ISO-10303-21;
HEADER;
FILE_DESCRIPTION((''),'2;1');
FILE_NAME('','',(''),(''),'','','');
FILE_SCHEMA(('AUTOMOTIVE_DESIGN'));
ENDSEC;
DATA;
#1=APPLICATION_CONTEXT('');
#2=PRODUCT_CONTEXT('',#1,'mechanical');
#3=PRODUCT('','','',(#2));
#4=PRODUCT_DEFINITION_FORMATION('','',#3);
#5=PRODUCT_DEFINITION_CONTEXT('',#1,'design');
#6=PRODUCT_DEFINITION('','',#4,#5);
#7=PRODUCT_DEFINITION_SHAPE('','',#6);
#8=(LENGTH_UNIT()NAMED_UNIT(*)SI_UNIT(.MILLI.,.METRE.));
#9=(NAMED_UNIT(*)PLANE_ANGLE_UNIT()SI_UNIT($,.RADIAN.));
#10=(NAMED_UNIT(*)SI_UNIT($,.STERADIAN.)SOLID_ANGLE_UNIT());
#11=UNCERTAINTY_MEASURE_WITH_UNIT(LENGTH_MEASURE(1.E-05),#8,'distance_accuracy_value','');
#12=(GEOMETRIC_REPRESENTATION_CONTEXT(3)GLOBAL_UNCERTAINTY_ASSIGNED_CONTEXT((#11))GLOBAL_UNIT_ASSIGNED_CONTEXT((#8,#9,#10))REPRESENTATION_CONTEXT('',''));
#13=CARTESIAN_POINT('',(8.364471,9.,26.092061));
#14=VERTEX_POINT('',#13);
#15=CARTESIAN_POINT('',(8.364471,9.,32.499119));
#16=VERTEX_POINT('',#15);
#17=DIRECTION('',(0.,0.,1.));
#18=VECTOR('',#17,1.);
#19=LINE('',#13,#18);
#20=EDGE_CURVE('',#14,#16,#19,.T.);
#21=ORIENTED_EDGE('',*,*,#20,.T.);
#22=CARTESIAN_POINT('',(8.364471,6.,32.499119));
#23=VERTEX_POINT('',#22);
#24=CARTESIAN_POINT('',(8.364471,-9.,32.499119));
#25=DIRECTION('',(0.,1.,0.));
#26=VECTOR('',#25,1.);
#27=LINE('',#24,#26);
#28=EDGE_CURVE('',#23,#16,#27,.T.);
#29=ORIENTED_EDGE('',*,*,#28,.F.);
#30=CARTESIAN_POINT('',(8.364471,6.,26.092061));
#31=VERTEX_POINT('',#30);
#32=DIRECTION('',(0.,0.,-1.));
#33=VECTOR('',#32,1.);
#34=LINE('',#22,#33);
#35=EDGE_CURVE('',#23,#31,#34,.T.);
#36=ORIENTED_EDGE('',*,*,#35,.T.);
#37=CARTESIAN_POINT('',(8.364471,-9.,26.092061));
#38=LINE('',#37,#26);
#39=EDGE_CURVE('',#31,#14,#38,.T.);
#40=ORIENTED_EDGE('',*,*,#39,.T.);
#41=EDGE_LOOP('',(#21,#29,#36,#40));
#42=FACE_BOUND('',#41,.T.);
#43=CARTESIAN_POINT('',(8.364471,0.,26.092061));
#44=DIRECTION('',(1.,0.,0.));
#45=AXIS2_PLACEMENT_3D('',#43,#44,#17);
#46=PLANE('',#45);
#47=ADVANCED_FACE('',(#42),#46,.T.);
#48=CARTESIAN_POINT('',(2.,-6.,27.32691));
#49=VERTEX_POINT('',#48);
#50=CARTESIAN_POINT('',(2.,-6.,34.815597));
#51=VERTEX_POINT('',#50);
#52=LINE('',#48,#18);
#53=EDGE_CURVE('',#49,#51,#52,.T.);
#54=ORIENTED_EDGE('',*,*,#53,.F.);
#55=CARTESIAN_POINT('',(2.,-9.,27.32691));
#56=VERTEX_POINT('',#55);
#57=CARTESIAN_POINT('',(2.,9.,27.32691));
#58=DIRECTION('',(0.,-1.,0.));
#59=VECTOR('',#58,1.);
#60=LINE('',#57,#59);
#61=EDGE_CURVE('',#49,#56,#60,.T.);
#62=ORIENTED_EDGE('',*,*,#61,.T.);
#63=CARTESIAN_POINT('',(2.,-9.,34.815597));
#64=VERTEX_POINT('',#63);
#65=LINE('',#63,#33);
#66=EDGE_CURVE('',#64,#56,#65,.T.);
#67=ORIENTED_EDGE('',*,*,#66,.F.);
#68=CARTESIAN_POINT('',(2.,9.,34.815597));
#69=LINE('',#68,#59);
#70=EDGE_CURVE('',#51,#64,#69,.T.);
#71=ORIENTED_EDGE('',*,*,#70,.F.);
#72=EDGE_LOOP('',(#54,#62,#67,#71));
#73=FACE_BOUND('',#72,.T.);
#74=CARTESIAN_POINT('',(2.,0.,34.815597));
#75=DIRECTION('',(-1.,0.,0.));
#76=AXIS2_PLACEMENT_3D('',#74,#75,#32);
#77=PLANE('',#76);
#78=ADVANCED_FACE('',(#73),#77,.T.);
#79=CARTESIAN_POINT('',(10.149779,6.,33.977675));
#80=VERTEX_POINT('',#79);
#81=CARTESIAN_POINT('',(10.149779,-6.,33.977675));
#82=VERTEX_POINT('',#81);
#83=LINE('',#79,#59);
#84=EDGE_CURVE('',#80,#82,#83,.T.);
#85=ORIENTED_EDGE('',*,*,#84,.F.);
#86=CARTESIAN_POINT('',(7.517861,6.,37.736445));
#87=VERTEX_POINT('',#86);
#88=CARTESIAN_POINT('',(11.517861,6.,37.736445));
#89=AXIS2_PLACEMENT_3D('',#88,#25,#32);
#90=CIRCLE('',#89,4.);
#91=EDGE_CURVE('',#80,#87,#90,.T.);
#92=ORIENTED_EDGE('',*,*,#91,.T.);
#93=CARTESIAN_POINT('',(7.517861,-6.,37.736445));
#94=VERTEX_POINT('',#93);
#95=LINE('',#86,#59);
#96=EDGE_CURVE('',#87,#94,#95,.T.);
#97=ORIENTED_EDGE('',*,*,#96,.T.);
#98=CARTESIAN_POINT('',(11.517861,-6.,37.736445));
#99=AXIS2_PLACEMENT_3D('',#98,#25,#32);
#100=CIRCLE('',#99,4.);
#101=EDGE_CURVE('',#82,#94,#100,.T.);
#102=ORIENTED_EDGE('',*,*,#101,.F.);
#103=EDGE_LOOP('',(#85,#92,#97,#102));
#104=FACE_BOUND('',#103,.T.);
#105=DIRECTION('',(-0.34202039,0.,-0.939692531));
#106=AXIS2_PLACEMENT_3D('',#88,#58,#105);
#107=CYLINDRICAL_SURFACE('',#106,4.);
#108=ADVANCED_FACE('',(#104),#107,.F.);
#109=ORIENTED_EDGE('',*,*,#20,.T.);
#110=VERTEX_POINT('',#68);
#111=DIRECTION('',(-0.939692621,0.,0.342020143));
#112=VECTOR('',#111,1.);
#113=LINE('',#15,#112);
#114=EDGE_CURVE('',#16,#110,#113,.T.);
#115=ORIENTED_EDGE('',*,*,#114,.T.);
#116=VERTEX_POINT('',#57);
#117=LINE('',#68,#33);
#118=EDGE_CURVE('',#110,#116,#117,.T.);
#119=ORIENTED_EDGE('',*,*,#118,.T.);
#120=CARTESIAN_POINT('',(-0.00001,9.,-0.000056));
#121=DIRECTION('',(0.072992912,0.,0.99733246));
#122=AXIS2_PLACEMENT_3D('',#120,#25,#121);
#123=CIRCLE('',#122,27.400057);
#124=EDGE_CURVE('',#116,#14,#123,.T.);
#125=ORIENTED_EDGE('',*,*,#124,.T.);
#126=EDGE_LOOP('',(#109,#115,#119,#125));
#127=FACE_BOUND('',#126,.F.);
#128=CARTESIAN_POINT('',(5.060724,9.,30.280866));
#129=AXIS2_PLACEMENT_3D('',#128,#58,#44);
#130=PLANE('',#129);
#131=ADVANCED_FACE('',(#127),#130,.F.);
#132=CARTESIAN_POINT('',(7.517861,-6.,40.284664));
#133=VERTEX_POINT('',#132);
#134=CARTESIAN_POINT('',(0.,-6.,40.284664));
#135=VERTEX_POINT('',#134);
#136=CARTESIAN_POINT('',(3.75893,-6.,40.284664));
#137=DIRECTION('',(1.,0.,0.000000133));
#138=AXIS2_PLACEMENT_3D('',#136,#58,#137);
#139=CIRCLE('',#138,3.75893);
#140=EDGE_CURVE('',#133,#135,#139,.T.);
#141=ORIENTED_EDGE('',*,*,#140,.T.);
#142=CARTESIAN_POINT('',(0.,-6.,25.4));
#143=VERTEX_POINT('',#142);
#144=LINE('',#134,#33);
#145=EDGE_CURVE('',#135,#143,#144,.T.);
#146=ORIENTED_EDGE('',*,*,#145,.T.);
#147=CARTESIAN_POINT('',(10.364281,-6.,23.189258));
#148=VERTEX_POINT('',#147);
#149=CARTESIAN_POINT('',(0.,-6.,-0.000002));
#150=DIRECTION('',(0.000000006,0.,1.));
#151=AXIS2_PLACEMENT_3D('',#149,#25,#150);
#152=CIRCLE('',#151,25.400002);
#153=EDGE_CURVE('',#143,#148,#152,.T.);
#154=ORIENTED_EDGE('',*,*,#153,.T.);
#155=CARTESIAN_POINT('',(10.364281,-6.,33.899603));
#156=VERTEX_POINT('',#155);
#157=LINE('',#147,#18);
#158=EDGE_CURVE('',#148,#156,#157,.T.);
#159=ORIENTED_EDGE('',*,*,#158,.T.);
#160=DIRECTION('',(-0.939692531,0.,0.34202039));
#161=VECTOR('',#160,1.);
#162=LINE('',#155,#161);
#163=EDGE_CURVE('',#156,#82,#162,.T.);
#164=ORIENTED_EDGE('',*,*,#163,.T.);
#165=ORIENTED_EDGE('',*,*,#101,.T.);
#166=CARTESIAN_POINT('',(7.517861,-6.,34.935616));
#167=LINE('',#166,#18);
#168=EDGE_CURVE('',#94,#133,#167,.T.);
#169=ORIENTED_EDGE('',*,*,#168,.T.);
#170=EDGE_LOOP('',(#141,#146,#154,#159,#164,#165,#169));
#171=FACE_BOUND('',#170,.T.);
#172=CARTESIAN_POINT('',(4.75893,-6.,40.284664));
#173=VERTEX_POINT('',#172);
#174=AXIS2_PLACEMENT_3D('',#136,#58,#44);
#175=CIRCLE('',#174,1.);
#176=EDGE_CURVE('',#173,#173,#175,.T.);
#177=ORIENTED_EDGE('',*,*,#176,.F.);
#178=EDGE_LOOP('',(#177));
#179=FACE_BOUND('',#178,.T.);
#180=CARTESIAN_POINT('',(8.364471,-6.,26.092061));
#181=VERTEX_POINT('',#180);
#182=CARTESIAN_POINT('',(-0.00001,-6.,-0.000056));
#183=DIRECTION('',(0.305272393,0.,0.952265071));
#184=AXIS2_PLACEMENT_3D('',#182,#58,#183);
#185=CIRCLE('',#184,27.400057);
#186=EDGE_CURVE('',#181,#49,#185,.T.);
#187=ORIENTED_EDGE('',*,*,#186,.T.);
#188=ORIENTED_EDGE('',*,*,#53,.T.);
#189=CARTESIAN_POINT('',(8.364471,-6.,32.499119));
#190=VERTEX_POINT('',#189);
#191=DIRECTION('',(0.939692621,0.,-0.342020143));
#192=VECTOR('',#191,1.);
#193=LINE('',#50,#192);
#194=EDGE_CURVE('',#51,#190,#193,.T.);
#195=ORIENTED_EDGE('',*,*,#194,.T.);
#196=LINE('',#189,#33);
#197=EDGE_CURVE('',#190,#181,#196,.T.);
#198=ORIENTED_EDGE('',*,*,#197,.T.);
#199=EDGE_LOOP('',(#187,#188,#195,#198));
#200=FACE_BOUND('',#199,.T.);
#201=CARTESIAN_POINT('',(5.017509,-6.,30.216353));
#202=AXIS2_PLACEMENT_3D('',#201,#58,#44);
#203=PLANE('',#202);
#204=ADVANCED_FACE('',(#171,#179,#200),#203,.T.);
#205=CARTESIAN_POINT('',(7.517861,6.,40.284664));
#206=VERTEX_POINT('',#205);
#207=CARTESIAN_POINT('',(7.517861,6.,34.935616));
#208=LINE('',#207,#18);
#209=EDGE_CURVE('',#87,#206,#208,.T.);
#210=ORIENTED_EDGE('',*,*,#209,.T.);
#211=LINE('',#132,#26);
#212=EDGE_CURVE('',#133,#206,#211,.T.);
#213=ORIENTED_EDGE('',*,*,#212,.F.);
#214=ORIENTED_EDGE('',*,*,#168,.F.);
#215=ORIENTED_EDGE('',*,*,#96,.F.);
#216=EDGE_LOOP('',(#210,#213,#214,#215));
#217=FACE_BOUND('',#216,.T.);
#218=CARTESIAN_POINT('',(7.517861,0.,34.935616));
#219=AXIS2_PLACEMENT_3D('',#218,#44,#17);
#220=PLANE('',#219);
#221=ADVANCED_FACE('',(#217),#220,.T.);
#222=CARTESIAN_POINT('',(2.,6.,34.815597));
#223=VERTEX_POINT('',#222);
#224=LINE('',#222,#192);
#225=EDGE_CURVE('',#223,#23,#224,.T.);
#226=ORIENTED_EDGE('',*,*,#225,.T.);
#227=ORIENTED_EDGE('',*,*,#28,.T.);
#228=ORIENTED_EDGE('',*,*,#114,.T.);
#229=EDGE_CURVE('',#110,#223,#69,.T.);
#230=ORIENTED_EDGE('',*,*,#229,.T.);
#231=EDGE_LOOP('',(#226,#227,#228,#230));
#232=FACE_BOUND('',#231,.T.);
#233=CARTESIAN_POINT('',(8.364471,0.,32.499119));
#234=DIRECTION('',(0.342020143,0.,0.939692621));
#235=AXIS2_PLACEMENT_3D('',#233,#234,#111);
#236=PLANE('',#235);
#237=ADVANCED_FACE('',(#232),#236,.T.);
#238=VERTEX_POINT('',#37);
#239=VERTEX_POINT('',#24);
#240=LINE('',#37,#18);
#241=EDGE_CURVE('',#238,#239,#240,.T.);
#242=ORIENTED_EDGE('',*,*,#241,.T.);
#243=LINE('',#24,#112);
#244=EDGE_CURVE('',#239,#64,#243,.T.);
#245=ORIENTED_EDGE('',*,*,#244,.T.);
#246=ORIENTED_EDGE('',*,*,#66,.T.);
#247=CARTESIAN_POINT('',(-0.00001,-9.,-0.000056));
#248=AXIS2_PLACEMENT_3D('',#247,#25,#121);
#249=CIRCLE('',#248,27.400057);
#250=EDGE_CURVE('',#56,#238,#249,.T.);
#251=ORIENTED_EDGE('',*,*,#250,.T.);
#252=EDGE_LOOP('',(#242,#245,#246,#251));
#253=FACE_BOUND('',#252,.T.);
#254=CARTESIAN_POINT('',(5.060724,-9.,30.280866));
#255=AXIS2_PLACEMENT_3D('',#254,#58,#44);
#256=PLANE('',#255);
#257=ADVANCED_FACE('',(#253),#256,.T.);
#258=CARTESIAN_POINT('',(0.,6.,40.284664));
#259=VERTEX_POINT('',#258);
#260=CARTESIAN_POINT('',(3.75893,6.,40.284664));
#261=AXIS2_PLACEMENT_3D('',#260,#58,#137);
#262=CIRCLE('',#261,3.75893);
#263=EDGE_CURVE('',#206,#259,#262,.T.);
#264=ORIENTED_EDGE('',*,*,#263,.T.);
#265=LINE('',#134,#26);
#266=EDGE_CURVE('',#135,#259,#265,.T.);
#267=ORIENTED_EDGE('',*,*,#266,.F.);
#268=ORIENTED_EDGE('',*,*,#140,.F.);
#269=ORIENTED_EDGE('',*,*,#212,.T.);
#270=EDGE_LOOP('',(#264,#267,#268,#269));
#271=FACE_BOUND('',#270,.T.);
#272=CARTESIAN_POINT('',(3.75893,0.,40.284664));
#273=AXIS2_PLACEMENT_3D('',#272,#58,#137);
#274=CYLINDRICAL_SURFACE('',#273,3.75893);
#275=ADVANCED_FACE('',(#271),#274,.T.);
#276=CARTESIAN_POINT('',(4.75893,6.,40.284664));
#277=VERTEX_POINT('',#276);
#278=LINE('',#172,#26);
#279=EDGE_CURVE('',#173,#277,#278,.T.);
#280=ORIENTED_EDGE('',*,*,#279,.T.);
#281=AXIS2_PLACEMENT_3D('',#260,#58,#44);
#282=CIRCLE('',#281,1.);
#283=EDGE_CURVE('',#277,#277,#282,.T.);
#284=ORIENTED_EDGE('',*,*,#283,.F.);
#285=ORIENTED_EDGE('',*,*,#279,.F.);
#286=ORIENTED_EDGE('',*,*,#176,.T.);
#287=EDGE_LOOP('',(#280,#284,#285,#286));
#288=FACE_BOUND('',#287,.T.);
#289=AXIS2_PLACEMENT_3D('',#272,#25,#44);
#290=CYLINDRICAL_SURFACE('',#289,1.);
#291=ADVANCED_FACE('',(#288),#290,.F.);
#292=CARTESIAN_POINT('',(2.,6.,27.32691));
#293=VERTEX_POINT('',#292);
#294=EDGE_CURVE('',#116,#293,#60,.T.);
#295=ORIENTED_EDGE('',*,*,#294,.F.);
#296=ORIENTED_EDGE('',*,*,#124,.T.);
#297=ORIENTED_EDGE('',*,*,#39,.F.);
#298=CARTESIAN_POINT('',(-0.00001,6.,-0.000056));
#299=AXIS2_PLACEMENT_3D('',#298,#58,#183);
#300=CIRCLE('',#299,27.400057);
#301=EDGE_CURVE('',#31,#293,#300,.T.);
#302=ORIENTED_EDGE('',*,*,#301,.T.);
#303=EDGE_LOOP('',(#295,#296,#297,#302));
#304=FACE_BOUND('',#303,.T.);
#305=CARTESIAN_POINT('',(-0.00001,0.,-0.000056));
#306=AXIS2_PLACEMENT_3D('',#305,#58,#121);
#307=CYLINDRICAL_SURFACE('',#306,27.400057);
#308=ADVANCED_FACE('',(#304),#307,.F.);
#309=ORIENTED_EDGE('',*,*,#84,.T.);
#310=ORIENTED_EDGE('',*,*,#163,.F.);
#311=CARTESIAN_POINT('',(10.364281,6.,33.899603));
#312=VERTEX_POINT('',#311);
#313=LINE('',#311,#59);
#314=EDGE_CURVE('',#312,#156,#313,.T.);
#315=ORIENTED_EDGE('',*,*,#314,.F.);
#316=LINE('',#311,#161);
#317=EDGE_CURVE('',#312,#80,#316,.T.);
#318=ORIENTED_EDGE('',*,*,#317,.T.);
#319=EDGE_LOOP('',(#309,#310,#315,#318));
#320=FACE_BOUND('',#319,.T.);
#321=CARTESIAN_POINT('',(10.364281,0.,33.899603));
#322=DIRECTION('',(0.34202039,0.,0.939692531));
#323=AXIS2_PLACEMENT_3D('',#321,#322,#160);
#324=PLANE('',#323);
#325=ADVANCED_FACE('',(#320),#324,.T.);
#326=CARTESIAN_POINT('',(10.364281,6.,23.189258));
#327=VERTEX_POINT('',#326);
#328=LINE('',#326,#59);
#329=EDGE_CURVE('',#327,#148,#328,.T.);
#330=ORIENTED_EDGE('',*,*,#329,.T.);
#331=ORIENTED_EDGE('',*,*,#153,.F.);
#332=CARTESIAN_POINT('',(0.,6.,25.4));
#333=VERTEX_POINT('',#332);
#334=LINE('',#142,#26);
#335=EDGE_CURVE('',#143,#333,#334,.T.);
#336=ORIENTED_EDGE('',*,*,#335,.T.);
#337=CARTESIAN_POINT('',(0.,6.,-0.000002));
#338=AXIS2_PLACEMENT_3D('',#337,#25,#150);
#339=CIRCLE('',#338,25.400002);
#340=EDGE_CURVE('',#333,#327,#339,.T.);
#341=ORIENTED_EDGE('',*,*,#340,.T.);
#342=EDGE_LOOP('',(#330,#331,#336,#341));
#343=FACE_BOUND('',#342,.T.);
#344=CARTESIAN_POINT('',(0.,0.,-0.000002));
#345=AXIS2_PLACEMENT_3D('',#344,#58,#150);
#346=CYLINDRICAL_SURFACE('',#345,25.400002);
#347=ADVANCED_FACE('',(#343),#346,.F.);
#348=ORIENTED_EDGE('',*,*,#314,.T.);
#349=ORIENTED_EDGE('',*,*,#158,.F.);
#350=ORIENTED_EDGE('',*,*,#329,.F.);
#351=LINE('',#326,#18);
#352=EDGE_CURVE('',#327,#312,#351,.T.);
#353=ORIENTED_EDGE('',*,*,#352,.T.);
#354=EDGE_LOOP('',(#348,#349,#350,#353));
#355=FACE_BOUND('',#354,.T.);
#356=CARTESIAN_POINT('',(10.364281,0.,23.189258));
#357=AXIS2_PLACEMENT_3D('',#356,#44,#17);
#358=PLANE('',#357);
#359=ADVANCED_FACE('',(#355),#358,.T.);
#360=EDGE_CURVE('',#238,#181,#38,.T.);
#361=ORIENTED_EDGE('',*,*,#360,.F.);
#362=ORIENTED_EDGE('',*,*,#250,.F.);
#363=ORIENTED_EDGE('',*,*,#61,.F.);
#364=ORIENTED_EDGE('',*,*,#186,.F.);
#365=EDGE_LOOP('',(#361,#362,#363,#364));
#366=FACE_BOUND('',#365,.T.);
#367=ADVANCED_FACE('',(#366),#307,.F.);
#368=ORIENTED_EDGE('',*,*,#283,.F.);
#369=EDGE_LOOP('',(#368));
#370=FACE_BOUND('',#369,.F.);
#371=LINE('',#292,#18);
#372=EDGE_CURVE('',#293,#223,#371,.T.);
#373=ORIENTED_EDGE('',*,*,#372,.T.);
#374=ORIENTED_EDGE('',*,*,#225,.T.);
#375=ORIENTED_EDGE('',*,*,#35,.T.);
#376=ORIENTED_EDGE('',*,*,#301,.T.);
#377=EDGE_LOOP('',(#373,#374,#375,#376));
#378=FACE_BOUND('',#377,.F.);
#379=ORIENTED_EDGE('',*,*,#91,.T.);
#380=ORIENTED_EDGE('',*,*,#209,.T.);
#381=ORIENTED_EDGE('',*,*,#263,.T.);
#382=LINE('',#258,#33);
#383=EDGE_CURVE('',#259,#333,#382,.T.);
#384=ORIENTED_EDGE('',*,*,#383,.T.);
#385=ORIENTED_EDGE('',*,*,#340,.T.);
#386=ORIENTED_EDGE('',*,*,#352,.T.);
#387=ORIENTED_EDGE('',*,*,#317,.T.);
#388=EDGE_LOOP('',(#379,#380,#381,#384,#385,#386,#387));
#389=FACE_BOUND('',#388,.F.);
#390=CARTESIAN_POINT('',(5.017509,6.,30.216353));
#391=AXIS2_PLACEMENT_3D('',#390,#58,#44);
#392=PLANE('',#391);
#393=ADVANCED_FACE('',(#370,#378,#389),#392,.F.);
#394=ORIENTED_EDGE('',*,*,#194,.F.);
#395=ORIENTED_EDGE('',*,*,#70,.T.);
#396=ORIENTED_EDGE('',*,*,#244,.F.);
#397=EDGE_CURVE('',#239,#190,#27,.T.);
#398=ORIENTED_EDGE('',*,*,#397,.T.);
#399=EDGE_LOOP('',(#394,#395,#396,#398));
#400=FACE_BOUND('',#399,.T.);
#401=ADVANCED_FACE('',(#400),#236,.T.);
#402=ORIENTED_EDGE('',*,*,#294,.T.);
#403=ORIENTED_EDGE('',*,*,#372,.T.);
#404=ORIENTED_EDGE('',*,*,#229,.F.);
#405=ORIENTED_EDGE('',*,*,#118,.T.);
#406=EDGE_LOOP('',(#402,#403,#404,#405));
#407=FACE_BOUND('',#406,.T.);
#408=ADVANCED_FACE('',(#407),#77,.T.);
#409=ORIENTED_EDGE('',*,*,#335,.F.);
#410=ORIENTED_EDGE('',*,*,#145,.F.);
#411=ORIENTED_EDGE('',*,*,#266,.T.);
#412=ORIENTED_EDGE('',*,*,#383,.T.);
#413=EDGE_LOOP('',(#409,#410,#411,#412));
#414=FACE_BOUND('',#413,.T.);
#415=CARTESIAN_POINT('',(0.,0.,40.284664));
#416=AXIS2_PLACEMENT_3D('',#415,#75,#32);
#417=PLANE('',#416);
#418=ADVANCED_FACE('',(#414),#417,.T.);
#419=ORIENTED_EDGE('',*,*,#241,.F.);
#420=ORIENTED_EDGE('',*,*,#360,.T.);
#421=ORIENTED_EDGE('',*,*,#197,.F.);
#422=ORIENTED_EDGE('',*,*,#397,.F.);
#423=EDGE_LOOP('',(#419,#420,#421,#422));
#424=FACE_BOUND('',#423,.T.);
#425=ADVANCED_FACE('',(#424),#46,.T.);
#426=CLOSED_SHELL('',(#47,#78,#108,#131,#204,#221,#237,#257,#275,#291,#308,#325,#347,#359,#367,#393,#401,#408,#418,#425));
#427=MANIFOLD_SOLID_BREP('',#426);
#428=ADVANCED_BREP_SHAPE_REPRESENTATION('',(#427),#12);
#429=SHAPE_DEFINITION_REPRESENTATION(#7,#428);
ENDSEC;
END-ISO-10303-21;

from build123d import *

# Parameters (mm, degrees)
F0_R     = 1
F1_DEPTH = 6
F2_DEPTH = 9
F3_R     = 4


with BuildPart() as f1:
    # F0 (on Front) → F1 (new body, symmetric)
    with BuildSketch(Plane.XZ):
        with BuildLine():
            Line((0, 37.671893), (0, 25.4))
            ThreePointArc((0, 25.4), (5.298719, 24.841167), (10.364281, 23.189258))
            Line((10.364281, 23.189258), (10.364281, 25.364181))
            Line((10.364281, 25.364181), (10.364281, 33.899603))
            Line((10.364281, 33.899603), (7.517861, 34.935616))
            Line((7.517861, 34.935616), (0, 37.671893))
        make_face()
        with BuildLine():
            Line((2, 27.32691), (2, 34.815597))
            Line((2, 34.815597), (8.364471, 32.499119))
            Line((8.364471, 32.499119), (8.364471, 26.092061))
            ThreePointArc((8.364471, 26.092061), (5.218886, 26.898387), (2, 27.32691))
        make_face(mode=Mode.SUBTRACT)
        with BuildLine():
            Line((0, 40.284664), (0, 37.671893))
            Line((0, 37.671893), (7.517861, 34.935616))
            Line((7.517861, 34.935616), (7.517861, 40.284664))
            ThreePointArc((7.517861, 40.284664), (3.75893, 44.043594), (0, 40.284664))
        make_face()
        with Locations((3.75893, 40.284664)):
            Circle(F0_R, mode=Mode.SUBTRACT)
    extrude(amount=F1_DEPTH, both=True)

    # F0 (on Front) → F2 (join, symmetric)
    with BuildSketch(Plane.XZ):
        with BuildLine():
            Line((8.364471, 32.499119), (2, 34.815597))
            Line((2, 34.815597), (2, 27.32691))
            ThreePointArc((2, 27.32691), (5.218886, 26.898387), (8.364471, 26.092061))
            Line((8.364471, 26.092061), (8.364471, 32.499119))
        make_face()
    extrude(amount=F2_DEPTH, both=True)

    # F3
    f3_edges = [f1.edges().sort_by_distance(p)[0] for p in [
        (7.517861, 0, 34.935616),
    ]]
    fillet(f3_edges, radius=F3_R)


solid = f1.part
